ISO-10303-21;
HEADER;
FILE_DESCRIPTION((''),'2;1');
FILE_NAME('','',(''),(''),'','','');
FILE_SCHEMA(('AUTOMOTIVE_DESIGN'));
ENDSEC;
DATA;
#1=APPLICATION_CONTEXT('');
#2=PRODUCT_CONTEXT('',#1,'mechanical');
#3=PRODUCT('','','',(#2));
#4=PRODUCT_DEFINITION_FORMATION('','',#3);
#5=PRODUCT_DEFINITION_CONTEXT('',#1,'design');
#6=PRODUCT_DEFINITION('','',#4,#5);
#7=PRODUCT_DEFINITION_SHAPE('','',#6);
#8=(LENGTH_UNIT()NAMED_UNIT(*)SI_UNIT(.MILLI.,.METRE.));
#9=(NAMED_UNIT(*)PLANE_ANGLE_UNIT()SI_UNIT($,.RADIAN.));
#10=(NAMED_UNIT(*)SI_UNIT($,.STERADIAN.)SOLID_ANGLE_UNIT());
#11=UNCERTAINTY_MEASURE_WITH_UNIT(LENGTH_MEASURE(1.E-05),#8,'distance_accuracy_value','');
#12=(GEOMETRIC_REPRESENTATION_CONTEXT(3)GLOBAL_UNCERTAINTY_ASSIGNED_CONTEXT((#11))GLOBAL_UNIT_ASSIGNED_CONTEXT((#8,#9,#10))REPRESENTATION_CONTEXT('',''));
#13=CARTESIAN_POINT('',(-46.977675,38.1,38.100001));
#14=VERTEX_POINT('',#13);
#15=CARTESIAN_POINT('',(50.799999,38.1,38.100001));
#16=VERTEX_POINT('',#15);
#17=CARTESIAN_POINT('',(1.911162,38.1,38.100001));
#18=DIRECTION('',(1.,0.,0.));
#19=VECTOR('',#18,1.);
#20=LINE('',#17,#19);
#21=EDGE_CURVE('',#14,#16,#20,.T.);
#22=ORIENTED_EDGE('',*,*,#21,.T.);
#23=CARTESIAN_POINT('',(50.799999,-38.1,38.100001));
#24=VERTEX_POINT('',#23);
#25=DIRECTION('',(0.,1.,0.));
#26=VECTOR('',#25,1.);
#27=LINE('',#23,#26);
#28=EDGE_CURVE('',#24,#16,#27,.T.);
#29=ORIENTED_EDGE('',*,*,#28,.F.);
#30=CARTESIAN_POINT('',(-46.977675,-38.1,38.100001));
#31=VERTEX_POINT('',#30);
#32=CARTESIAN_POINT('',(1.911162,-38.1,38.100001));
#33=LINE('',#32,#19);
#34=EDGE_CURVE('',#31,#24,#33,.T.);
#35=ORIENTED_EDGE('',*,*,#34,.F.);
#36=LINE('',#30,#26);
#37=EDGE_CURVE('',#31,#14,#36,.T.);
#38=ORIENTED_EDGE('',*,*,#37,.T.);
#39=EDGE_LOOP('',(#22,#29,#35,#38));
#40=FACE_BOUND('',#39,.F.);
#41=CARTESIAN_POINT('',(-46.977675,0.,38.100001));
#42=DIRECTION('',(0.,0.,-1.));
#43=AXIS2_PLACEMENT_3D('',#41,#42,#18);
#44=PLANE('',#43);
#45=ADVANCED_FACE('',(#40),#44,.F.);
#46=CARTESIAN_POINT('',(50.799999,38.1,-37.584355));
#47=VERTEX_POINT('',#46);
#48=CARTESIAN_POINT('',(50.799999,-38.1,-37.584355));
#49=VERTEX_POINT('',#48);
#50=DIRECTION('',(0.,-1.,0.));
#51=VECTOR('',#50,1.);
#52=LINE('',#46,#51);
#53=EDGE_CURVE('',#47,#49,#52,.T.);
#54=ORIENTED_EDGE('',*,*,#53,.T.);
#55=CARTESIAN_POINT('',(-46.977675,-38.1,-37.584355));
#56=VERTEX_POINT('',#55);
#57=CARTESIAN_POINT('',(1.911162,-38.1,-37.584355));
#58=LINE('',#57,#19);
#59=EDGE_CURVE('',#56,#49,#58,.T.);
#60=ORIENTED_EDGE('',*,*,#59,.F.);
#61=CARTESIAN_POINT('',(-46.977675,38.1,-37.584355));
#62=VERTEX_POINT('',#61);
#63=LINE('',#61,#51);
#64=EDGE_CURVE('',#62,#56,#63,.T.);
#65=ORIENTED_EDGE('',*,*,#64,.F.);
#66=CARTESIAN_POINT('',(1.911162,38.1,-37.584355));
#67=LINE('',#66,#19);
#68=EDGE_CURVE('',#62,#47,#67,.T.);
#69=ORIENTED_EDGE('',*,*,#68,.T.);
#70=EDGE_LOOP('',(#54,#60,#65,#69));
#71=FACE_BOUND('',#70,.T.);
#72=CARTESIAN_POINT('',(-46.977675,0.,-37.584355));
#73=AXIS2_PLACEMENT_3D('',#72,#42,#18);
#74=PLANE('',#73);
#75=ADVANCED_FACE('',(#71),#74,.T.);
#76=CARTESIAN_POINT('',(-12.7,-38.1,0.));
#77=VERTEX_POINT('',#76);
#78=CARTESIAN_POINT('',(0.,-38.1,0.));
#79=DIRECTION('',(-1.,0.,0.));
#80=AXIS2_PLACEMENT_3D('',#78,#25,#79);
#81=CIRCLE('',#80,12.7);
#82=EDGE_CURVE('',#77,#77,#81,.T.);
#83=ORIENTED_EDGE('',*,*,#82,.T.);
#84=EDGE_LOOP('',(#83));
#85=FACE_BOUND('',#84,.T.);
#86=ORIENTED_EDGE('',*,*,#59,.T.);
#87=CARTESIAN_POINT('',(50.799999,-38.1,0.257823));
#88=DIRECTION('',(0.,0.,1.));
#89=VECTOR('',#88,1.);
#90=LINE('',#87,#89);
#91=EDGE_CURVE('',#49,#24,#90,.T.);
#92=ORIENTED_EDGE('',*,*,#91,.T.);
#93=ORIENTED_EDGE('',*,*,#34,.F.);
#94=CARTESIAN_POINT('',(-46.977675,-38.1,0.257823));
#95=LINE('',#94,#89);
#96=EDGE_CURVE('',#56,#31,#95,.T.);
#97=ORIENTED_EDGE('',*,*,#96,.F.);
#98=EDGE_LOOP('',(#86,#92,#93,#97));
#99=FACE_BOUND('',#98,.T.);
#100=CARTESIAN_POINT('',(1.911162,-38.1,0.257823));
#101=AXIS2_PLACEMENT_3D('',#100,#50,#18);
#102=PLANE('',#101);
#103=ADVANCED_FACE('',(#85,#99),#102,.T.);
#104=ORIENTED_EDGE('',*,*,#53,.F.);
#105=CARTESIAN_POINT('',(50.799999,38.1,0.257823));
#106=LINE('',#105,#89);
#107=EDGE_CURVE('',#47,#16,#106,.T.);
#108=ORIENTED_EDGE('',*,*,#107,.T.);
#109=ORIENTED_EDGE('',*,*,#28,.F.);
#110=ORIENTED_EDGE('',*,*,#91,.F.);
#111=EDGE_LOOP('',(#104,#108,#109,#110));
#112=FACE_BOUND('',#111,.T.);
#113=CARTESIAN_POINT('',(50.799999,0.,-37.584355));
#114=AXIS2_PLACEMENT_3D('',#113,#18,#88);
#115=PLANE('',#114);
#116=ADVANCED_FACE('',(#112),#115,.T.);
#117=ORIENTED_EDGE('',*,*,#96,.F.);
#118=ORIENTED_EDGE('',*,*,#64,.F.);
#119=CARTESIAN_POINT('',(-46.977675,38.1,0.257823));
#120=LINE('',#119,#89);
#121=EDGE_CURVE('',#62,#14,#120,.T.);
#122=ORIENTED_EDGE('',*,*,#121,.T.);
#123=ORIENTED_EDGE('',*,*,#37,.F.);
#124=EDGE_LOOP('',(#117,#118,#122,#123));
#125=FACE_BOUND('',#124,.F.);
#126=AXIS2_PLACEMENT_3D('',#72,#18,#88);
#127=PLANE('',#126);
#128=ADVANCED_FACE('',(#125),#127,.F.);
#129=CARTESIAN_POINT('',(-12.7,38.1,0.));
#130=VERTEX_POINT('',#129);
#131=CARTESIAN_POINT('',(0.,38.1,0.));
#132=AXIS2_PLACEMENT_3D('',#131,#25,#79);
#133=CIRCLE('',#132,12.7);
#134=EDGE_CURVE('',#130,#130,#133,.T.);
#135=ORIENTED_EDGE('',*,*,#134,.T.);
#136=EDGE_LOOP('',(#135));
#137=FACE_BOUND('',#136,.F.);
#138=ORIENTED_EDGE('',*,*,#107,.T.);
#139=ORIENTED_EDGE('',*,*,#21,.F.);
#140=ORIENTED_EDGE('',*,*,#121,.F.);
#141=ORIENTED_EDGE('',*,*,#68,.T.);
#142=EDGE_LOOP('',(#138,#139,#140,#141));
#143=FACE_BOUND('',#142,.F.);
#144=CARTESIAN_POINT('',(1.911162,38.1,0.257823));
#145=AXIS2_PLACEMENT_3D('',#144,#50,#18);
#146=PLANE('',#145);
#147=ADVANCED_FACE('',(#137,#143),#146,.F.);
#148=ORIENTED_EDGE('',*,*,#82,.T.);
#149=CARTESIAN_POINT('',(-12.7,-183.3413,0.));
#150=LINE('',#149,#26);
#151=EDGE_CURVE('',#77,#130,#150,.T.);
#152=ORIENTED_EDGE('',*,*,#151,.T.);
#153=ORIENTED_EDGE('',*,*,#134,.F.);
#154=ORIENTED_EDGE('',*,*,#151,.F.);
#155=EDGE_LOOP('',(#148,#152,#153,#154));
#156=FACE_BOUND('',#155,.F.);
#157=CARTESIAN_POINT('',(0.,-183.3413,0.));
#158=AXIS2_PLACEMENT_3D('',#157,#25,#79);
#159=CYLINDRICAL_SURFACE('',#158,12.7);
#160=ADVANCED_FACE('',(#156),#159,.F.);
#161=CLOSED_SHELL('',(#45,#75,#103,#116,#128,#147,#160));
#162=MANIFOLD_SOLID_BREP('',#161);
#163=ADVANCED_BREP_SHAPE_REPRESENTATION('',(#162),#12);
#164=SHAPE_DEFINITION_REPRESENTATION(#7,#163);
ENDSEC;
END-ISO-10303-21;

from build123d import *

# Parameters (mm, degrees)
F0_W     = 97.777675
F0_H     = 75.684355
F1_DEPTH = 38.1
F3_D     = 25.4


with BuildPart() as f1:
    # F0 (on Front) → F1 (new body, symmetric)
    with BuildSketch(Plane.XZ):
        with Locations((1.911162, 0.257823)):
            Rectangle(F0_W, F0_H)
    extrude(amount=F1_DEPTH, both=True)

    # F3 (through all)
    with Locations(Plane.XZ.offset(38.1)):
        with Locations((0, 0)):
            Hole(F3_D / 2)


solid = f1.part
